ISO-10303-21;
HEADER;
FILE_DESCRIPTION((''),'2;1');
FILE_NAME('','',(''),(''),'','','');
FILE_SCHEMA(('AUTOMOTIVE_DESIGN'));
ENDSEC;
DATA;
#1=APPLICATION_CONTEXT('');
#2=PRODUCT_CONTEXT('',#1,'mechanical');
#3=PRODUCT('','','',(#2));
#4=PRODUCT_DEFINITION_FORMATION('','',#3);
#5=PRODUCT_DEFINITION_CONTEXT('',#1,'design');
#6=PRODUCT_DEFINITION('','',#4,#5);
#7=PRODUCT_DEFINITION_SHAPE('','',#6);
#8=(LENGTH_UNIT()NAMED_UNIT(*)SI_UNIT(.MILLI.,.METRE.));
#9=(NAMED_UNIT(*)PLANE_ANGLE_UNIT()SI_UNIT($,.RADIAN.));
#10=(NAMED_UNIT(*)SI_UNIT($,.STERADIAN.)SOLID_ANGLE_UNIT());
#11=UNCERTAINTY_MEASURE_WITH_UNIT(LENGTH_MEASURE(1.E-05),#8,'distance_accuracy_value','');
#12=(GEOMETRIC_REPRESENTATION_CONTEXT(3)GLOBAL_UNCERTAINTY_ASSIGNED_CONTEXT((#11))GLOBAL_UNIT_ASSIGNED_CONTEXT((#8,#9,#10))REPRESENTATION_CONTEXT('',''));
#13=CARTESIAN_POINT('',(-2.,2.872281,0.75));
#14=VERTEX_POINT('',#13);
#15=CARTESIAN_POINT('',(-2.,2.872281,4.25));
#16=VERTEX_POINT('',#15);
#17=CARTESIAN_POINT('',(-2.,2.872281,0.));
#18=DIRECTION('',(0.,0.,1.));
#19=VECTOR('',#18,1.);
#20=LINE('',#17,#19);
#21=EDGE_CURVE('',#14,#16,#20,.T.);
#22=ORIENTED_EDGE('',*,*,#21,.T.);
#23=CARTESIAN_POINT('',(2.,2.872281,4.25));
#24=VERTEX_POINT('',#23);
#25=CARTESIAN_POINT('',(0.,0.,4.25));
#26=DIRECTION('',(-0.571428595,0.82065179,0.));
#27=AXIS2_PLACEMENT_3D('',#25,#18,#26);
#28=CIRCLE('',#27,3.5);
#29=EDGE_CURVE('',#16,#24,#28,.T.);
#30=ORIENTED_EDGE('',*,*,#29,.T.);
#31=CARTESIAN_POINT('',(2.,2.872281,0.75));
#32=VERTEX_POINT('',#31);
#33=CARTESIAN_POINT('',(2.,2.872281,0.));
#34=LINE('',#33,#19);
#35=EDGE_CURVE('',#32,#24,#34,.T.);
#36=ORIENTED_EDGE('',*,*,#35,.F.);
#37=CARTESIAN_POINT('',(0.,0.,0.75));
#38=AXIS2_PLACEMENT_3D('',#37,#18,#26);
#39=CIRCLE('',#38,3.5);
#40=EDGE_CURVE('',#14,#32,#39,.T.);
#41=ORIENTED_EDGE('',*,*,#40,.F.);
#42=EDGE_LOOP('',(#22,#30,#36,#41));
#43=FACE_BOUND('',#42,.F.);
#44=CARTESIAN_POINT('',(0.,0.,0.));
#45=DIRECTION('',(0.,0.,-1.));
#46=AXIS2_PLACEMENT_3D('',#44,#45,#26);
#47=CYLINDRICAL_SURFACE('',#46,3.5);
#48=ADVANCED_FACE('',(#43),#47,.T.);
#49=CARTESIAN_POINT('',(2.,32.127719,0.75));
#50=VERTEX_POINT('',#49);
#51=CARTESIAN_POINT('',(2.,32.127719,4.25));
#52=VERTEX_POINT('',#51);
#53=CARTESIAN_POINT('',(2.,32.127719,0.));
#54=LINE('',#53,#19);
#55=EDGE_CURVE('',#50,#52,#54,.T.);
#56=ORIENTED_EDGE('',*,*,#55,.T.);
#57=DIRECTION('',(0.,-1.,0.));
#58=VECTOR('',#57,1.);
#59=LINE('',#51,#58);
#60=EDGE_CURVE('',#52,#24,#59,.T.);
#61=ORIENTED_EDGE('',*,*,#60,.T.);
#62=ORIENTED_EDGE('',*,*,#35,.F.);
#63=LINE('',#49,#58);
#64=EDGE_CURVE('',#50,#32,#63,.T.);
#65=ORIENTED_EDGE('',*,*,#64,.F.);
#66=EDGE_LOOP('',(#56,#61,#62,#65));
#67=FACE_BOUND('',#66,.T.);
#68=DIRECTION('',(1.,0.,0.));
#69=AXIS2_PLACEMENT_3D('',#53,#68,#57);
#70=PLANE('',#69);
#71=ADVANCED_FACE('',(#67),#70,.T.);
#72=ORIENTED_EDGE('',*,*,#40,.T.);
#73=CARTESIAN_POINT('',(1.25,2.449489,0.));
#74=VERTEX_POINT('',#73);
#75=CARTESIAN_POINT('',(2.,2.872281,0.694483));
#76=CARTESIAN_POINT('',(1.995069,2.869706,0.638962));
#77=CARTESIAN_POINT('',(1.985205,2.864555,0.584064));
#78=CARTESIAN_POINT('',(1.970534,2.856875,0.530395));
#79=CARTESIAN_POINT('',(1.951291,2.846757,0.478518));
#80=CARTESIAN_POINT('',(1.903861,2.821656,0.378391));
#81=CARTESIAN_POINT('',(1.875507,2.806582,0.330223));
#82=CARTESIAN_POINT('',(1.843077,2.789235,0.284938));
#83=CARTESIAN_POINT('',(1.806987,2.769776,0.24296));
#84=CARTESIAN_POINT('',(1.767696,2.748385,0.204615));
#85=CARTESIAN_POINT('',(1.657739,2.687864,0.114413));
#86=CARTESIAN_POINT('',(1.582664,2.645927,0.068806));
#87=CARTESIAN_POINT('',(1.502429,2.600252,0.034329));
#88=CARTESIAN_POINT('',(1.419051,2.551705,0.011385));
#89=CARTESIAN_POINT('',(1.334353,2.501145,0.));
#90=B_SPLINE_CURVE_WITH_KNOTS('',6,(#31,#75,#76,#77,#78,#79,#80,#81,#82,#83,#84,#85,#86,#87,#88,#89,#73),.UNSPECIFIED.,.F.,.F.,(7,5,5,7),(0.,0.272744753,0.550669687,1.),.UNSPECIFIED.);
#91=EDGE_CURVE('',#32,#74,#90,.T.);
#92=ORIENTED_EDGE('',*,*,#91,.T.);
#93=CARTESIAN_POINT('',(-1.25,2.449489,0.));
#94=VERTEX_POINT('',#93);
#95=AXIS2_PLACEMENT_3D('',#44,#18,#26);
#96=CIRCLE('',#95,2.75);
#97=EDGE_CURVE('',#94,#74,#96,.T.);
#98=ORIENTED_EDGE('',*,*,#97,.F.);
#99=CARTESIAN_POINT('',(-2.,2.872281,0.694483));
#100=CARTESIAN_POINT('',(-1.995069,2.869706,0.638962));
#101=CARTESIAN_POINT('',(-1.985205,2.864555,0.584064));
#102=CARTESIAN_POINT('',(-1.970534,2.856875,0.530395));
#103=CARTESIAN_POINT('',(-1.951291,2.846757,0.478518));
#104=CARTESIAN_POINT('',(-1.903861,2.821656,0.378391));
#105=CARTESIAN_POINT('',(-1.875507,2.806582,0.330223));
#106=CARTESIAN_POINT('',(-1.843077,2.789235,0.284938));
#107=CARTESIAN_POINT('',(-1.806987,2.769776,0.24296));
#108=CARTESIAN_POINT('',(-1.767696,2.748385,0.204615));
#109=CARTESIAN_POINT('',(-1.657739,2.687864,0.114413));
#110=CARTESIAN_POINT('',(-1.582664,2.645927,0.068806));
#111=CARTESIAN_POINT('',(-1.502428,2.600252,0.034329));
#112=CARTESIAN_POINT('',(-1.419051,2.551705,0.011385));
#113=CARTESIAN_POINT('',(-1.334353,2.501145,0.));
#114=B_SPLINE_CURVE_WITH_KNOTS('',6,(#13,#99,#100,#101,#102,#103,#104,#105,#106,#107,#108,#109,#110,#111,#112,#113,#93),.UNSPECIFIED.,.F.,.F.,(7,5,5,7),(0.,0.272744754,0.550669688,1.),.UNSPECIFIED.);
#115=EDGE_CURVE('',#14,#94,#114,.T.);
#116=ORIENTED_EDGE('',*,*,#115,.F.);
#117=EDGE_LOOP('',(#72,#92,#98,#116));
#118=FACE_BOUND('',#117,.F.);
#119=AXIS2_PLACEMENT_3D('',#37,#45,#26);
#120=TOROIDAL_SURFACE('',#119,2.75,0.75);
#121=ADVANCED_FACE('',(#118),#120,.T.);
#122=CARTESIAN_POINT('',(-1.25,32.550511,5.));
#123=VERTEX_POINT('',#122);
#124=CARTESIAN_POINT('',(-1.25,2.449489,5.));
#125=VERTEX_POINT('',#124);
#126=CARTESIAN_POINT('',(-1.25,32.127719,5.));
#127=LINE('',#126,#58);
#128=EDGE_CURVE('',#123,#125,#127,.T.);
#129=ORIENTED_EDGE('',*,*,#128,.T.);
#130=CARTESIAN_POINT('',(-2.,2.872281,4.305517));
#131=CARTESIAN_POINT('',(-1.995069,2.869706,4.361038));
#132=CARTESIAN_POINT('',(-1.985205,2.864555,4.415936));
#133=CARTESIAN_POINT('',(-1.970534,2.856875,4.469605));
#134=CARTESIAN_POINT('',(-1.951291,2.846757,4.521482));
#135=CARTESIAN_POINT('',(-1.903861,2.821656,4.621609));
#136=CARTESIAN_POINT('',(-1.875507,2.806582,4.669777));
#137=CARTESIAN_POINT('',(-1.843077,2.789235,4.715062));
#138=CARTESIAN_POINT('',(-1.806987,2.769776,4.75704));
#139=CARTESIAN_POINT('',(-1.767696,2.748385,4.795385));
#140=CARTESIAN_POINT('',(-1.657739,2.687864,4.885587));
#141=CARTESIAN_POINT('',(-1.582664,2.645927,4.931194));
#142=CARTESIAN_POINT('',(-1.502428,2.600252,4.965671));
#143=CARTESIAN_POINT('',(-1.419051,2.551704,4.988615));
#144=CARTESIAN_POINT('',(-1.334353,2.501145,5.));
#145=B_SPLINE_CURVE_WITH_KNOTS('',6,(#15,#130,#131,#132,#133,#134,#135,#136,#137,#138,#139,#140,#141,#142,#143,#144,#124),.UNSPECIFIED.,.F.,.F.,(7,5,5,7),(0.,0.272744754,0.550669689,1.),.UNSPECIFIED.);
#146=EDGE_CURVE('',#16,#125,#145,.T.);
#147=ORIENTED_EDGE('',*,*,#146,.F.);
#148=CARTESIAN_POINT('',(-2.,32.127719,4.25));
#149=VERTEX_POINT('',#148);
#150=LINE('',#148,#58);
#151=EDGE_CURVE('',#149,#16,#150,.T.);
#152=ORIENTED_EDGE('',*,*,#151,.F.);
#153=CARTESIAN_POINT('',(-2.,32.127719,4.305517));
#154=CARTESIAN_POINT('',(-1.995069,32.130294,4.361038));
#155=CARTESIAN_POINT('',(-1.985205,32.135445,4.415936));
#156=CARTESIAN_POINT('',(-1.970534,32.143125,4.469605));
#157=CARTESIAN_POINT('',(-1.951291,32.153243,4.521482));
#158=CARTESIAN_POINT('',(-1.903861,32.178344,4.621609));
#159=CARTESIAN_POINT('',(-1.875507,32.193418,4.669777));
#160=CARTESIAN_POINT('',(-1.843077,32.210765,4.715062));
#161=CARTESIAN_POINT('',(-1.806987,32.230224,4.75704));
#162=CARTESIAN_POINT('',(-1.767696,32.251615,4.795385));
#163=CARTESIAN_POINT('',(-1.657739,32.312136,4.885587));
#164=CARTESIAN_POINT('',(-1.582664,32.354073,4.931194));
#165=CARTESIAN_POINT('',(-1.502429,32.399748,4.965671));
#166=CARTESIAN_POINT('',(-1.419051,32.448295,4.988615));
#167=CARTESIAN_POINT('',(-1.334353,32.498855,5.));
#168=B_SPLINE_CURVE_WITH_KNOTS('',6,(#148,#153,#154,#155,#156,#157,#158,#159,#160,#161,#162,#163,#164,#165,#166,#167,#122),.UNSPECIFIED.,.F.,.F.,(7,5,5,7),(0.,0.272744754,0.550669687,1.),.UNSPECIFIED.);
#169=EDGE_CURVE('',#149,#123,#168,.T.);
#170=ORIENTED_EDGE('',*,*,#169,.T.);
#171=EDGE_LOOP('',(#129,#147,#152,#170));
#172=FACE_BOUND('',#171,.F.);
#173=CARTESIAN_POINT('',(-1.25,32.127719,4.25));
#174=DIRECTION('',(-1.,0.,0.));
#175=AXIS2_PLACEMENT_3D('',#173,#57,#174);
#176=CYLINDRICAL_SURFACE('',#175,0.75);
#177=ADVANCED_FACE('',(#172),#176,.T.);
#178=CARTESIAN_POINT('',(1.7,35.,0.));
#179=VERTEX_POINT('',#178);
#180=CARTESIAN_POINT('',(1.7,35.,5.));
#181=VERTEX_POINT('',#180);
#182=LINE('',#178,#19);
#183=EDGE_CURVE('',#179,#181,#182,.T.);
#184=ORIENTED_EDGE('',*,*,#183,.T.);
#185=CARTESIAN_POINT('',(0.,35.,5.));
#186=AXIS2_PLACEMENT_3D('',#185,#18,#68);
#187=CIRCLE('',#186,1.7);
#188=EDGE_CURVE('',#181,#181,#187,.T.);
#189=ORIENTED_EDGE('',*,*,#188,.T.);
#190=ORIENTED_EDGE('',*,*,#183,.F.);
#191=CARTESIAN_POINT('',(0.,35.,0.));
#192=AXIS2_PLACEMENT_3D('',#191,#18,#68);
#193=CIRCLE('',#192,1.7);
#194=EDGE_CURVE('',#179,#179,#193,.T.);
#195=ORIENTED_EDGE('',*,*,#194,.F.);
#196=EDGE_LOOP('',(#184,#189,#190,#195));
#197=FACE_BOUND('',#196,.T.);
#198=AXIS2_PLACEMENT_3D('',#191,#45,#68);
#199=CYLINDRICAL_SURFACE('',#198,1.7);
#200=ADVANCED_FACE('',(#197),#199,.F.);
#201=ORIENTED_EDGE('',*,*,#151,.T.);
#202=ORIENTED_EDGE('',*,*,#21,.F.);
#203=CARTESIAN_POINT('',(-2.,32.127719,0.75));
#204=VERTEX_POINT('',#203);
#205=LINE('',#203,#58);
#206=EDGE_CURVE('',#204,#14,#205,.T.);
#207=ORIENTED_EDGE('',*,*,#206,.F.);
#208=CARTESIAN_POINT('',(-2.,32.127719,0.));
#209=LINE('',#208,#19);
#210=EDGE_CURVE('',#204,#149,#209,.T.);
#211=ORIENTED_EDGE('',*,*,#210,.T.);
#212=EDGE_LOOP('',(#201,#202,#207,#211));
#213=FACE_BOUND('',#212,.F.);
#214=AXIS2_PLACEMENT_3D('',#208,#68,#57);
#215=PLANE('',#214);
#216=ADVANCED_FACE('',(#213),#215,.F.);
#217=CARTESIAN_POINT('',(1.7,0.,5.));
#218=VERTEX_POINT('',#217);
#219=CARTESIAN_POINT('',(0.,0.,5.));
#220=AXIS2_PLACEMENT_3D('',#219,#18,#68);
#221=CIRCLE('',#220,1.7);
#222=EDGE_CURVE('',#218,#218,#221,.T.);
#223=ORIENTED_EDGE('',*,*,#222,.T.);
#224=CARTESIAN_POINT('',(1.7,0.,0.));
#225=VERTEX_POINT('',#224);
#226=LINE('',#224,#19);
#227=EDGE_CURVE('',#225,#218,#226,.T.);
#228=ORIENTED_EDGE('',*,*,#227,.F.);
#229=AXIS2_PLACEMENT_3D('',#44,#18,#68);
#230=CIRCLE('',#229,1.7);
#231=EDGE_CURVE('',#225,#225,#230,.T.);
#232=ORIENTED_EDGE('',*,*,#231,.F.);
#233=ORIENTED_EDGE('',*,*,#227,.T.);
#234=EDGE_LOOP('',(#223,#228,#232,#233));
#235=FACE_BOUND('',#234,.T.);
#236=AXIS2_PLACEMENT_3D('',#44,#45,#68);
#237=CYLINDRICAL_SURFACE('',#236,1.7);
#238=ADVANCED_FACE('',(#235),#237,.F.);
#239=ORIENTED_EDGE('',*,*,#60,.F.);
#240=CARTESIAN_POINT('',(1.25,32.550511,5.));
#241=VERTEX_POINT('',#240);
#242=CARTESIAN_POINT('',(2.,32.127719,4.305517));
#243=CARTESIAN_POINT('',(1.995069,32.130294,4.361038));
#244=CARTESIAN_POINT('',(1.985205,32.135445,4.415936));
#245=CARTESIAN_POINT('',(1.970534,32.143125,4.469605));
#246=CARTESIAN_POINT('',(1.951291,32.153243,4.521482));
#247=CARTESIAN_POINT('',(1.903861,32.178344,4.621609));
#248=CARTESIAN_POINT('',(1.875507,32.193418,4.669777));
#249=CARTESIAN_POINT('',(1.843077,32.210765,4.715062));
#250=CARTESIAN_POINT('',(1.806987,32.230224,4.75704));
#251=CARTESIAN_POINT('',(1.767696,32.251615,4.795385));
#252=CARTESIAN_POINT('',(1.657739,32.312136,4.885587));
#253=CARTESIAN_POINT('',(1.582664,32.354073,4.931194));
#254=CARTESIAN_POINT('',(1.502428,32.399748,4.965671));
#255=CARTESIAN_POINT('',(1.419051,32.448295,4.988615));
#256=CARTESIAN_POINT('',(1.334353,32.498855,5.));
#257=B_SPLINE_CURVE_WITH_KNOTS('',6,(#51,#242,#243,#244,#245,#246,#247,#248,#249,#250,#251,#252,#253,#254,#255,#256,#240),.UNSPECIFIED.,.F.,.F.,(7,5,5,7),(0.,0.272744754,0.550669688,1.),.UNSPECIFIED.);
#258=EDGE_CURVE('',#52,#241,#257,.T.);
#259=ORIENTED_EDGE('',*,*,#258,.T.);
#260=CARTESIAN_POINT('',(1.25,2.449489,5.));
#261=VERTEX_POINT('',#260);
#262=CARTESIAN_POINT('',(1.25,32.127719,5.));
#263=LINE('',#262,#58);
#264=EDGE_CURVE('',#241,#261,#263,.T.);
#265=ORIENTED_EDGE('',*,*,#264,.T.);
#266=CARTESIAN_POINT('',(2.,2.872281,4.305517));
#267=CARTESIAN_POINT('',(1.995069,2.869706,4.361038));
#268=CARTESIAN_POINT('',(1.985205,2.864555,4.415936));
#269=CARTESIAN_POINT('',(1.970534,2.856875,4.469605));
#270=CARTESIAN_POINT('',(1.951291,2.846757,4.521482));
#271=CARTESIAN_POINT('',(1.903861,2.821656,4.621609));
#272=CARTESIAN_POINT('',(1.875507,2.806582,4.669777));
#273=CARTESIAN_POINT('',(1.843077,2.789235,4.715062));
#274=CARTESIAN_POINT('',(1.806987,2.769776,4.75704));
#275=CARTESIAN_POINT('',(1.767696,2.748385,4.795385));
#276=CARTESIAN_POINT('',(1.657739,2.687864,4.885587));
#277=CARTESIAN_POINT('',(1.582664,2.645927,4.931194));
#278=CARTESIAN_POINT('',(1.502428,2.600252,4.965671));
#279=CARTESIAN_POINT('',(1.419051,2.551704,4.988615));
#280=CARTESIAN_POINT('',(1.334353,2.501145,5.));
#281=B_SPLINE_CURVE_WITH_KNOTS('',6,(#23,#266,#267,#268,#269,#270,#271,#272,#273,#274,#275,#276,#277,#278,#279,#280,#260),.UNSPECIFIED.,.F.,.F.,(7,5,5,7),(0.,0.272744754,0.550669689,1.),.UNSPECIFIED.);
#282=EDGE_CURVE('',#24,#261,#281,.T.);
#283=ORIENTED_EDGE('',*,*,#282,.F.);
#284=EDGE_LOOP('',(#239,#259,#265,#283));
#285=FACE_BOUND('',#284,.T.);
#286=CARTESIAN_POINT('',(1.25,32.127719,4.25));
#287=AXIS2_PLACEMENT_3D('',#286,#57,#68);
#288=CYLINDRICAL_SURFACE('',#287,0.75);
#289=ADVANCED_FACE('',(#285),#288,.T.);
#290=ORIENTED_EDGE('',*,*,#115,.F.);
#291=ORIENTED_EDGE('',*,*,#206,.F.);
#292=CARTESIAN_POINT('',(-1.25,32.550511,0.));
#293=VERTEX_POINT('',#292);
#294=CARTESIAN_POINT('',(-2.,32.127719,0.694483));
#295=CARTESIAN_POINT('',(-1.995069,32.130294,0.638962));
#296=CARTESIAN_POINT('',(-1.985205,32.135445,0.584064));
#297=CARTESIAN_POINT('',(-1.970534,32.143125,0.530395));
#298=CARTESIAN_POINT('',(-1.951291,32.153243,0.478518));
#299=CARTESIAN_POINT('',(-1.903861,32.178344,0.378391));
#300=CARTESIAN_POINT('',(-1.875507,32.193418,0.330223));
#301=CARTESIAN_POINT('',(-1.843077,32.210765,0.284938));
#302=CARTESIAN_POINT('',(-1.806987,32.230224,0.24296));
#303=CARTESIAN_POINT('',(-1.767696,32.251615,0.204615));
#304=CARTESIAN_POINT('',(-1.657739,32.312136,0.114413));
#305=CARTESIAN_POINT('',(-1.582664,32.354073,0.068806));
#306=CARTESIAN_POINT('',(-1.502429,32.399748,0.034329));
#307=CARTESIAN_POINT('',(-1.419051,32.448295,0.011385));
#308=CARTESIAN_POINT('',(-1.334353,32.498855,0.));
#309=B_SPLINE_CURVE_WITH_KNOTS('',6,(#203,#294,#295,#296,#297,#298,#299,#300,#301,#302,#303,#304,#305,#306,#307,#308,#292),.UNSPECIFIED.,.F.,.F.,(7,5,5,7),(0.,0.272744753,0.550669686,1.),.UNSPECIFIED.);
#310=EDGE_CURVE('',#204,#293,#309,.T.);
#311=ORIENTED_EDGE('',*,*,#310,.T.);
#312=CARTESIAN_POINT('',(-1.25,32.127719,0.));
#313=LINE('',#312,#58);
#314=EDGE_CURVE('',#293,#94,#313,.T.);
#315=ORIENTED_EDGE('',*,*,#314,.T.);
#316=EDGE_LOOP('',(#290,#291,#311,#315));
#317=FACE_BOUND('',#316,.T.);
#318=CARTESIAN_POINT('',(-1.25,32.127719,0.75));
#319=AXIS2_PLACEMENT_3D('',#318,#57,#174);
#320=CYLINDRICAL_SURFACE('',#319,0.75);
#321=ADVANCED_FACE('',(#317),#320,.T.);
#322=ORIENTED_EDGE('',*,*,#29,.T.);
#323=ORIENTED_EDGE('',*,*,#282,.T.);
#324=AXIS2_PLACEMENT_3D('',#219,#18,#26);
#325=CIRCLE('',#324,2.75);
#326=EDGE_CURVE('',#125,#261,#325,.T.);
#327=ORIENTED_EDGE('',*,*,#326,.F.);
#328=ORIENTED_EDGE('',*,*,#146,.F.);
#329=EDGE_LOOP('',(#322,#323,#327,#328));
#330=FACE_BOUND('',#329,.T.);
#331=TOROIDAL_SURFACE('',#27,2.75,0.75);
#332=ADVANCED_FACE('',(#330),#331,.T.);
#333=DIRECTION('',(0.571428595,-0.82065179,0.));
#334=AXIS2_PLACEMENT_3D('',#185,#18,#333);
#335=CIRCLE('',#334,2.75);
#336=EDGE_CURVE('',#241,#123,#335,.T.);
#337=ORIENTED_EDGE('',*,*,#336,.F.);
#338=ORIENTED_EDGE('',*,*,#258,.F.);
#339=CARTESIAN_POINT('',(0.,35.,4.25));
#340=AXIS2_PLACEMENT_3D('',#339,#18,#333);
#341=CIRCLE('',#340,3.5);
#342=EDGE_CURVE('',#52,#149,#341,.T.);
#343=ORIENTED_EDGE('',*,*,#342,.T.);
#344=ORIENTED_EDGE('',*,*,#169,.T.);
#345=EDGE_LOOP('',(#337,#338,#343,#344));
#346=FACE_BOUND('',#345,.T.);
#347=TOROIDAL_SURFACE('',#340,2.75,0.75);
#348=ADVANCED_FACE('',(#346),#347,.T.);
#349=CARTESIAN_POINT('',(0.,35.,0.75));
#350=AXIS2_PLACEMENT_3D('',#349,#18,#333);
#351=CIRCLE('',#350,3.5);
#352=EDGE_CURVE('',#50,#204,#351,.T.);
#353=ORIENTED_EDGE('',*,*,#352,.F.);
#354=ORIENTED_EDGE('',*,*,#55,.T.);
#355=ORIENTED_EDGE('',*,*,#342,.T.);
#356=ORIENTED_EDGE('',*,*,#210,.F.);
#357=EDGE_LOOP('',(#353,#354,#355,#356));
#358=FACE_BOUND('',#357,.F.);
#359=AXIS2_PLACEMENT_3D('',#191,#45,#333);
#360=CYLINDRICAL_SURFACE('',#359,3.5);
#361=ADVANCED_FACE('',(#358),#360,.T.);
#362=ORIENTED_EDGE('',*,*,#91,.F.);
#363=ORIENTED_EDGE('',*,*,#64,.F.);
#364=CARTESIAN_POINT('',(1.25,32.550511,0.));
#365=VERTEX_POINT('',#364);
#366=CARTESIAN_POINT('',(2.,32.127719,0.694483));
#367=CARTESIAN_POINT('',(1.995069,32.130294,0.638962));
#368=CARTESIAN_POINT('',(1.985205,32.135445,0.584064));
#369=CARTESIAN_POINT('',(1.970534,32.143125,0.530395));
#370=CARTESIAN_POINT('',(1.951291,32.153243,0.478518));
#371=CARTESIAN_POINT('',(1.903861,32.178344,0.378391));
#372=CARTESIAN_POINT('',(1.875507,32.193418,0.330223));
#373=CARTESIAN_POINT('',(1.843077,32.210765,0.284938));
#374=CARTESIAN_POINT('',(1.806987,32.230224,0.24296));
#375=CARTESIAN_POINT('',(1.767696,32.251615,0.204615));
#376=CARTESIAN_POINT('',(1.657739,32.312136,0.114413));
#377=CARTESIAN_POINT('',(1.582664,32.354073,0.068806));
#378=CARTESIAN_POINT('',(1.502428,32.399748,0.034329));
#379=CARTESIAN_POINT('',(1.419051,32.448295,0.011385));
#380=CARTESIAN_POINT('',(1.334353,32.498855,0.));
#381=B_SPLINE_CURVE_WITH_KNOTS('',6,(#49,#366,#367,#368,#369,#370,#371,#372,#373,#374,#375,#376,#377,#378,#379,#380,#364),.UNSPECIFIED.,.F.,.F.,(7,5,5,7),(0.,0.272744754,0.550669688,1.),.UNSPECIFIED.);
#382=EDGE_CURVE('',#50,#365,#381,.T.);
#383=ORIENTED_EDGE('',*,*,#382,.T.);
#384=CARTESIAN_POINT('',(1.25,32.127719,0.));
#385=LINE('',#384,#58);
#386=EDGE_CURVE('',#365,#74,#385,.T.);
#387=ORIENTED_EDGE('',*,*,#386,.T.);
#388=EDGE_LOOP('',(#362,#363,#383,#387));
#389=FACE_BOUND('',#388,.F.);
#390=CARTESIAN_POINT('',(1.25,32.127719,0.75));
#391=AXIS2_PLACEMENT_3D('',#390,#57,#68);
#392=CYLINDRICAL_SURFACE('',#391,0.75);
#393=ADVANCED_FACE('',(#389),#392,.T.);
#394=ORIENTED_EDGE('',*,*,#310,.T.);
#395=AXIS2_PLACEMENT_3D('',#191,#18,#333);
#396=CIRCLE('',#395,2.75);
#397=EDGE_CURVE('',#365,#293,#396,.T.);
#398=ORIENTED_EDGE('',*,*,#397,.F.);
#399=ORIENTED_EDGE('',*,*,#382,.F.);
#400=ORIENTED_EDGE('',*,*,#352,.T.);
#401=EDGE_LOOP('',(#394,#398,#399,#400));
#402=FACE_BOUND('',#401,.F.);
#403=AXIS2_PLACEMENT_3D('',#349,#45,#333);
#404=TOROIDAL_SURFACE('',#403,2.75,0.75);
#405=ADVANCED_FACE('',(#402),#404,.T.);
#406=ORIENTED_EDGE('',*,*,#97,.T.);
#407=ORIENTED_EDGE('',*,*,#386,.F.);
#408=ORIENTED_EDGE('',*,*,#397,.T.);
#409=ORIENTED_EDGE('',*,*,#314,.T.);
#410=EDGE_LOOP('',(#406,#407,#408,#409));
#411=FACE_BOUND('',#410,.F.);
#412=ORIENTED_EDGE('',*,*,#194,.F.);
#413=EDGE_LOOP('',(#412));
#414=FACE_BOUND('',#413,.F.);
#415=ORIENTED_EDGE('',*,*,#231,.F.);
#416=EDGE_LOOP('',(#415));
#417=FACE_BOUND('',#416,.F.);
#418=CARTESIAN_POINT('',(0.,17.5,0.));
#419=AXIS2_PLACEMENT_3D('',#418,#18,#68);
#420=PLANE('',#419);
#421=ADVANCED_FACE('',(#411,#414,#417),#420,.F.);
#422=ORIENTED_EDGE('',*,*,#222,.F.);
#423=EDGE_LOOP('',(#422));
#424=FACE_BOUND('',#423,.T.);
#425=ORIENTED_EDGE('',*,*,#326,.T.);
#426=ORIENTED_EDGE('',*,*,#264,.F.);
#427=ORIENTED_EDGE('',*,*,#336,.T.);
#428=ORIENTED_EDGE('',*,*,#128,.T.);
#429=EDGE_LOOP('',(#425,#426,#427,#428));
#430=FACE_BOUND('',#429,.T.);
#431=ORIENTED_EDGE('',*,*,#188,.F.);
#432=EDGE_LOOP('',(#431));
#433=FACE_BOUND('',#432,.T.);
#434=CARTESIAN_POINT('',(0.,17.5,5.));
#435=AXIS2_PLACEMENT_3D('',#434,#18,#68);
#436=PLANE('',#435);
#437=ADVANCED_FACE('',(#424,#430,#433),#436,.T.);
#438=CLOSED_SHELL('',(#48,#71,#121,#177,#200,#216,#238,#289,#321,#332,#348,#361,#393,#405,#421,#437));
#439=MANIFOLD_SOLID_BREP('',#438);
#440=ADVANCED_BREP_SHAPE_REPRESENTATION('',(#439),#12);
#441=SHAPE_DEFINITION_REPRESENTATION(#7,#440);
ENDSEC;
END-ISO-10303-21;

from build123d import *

# Parameters (mm, degrees)
SKETCH_R  = 1.7
PAD_DEPTH = 5
FILLET_R  = 0.75


with BuildPart() as part:
    # Sketch → Pad (new body)
    with BuildSketch(Plane.XY):
        with BuildLine():
            ThreePointArc((2, 32.127719), (0, 38.5), (-2, 32.127719))
            Line((-2, 32.127719), (-2, 2.872281))
            ThreePointArc((-2, 2.872281), (0, -3.5), (2, 2.872281))
            Line((2, 32.127719), (2, 2.872281))
        make_face()
        Circle(SKETCH_R, mode=Mode.SUBTRACT)
        with Locations((0, 35)):
            Circle(SKETCH_R, mode=Mode.SUBTRACT)
    extrude(amount=PAD_DEPTH)

    # Fillet
    fillet_edges = [part.edges().sort_by_distance(p)[0] for p in [
        (0, -3.5, 5),
        (0, -3.5, 0),
        (2, 17.5, 5),
        (2, 17.5, 0),
        (-2, 17.5, 5),
        (0, 38.5, 5),
        (0, 38.5, 0),
        (-2, 17.5, 0),
    ]]
    fillet(fillet_edges, radius=FILLET_R)


solid = part.part
